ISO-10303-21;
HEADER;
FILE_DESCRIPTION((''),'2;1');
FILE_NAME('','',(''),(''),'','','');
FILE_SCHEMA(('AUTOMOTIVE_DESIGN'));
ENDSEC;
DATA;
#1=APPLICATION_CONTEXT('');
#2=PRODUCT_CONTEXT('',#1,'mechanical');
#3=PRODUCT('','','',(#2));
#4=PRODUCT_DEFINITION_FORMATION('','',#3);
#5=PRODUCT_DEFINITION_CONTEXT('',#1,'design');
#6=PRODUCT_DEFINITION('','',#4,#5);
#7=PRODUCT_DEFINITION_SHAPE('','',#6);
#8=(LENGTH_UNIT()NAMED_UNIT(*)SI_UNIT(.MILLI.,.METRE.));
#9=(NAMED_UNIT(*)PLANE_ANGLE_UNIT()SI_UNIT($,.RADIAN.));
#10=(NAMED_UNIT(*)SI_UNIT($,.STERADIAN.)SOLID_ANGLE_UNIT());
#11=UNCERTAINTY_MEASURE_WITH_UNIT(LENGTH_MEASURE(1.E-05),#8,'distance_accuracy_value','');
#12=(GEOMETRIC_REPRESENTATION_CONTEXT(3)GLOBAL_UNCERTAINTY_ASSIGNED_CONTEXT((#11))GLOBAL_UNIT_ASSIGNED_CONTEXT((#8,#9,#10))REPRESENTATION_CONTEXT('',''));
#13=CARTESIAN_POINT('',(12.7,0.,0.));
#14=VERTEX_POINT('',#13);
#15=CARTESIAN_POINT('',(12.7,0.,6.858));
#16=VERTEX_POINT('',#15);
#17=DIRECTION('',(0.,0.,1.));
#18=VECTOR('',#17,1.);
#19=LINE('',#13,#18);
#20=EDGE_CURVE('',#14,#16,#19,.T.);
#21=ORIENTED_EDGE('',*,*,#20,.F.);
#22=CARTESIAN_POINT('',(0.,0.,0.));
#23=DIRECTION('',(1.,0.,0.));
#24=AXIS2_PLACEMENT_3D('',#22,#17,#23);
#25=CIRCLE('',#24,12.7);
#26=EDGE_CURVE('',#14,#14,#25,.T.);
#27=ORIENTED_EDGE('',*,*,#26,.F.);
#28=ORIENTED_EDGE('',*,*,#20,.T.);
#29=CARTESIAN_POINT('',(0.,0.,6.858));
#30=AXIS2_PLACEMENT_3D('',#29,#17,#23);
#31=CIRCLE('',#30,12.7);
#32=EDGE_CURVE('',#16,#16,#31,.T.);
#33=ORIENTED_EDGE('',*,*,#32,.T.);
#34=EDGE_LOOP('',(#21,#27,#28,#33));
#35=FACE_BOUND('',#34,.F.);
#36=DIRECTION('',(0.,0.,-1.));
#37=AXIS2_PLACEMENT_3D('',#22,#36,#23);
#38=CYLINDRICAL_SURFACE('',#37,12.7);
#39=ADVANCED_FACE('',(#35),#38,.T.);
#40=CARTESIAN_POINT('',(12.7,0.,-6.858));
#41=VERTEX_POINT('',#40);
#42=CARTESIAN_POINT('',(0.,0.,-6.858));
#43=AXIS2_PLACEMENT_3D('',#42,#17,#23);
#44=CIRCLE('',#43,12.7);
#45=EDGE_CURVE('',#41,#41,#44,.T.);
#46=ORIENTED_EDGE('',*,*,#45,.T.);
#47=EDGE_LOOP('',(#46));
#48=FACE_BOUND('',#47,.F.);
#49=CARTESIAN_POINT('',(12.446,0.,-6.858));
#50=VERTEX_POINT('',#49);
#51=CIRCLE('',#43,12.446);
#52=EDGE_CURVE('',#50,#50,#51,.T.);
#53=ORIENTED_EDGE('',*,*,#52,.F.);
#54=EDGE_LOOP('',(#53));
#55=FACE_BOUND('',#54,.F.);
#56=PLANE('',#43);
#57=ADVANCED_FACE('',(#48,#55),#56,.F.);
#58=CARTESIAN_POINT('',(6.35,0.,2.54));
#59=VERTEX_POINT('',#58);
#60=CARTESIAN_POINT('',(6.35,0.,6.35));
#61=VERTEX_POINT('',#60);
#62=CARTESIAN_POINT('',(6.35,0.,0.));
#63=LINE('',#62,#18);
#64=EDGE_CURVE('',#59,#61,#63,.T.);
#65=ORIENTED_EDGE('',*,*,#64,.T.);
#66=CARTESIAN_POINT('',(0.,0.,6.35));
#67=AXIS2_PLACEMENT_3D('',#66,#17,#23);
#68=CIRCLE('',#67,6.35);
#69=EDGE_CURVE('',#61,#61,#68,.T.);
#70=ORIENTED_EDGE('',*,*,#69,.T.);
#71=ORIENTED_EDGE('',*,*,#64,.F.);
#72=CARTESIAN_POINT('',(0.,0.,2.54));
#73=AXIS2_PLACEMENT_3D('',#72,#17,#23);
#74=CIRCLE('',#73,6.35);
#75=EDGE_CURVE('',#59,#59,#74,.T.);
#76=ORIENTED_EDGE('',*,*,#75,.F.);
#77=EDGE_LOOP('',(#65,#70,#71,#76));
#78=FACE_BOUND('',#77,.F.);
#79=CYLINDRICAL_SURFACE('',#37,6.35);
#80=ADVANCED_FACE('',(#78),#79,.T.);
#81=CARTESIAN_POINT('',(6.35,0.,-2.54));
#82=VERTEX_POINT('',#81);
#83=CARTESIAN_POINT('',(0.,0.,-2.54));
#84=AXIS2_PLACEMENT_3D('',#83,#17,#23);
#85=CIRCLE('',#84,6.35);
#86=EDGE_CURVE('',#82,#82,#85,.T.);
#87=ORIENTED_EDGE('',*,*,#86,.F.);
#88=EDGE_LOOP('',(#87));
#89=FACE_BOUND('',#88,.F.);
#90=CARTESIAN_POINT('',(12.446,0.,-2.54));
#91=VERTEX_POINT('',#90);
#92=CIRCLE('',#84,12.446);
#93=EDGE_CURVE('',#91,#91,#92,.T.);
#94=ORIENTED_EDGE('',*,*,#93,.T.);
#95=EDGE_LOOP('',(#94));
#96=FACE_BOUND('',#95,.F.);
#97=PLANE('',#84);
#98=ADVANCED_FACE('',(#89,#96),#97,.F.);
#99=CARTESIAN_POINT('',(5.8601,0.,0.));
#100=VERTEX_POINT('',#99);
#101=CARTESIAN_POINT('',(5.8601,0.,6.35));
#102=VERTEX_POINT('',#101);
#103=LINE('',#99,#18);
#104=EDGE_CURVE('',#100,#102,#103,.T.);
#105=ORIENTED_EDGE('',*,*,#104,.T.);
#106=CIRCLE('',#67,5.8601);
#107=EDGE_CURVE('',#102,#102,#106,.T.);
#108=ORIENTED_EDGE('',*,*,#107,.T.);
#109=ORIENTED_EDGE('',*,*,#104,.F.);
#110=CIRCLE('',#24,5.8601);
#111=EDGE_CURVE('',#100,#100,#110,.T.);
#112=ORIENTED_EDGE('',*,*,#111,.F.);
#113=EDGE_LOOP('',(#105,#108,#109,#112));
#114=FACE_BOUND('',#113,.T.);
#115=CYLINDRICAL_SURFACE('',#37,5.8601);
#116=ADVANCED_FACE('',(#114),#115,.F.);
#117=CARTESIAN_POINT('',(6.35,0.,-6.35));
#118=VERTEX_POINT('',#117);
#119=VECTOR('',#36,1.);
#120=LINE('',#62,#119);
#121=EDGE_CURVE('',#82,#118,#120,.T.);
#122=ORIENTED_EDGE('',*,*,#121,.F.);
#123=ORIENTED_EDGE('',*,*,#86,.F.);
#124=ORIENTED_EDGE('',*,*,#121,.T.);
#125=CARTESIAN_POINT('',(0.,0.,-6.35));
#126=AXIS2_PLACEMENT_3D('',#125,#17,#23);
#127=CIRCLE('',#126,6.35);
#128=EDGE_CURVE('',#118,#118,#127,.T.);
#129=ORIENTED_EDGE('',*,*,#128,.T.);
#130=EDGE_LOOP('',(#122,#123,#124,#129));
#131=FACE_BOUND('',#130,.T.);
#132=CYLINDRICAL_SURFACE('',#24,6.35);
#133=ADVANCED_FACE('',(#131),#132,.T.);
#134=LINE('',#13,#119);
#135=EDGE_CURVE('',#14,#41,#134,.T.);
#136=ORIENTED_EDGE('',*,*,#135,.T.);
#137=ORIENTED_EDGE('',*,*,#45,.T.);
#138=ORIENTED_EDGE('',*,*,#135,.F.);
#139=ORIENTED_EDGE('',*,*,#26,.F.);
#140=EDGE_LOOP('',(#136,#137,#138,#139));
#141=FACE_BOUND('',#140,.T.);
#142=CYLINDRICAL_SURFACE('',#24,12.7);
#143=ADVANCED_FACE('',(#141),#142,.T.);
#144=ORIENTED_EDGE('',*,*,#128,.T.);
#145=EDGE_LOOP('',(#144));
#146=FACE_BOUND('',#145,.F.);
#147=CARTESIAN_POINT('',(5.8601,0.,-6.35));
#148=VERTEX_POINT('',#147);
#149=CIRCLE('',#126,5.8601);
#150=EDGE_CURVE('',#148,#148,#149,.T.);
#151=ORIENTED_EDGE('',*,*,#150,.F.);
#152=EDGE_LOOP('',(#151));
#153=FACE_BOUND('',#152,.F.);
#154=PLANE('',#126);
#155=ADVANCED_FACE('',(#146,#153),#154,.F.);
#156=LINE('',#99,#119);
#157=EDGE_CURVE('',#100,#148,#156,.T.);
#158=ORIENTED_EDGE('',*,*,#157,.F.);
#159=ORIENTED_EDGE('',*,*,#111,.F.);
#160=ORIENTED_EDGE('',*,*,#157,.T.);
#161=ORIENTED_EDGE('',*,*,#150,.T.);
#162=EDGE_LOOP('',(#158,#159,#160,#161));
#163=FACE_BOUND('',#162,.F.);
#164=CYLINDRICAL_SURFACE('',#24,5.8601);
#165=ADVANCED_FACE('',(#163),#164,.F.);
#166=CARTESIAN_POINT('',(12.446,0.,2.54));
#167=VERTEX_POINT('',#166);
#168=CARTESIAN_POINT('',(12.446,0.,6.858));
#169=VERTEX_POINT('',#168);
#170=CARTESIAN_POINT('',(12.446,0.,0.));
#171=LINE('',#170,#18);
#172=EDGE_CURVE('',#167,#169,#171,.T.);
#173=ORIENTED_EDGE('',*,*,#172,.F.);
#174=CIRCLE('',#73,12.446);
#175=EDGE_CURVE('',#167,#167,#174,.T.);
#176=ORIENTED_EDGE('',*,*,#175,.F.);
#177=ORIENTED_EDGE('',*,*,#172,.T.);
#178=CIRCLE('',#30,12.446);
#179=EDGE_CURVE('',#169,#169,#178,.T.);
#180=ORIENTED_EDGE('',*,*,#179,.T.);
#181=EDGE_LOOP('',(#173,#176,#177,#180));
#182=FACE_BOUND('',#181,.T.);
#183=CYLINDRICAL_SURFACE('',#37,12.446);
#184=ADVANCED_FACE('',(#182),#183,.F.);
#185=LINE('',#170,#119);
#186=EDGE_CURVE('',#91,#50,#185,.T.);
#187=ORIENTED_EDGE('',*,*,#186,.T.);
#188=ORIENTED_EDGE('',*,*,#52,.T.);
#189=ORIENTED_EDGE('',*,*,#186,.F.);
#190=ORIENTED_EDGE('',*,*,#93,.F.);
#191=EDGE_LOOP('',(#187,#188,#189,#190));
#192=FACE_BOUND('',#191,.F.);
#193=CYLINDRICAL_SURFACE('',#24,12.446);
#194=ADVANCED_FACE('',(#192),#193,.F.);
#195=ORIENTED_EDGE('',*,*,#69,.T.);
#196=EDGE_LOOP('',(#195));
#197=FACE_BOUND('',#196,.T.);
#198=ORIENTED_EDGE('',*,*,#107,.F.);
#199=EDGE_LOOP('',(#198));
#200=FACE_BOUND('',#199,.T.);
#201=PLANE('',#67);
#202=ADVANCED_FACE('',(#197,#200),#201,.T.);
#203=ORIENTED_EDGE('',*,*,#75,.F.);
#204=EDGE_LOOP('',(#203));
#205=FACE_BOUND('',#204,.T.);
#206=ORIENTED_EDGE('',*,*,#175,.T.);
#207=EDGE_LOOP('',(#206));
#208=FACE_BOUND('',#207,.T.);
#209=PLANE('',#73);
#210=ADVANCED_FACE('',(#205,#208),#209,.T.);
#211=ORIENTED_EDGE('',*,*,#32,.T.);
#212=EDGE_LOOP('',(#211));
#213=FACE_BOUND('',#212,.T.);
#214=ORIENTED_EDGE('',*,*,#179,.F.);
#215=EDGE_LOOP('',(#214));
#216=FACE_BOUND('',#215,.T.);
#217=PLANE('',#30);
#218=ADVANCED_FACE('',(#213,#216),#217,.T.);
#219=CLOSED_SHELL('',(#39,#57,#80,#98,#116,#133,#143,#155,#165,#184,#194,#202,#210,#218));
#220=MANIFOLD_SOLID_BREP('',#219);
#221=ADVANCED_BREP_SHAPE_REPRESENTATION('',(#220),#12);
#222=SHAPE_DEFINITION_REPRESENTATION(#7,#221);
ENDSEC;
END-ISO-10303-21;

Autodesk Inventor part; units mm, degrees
ref_plane "YZ Plane" through (0, 0, 0) normal (1, 0, 0) x (0, 1, 0)
ref_plane "XZ Plane" through (0, 0, 0) normal (0, 1, 0) x (-1, 0, 0)
ref_plane "XY Plane" through (0, 0, 0) normal (0, 0, 1) x (1, 0, 0)
sketch "Sketch1" plane through (0, 0, 0) normal (0, 0, 1) x (1, 0, 0)
  circle A0 centre (0, 0) radius 12.7
  circle A1 centre (0, 0) radius 12.446
  circle A2 centre (0, 0) radius 6.35
  circle A3 centre (0, 0) radius 5.8601
  dimension "d1" = 25.4
  dimension "d2" = 24.892
  dimension "d3" = 12.7
extrude "Extrusion1" [suppressed]
extrude "Extrusion2" add sketch "Sketch1" along normal blind 6.858 and the other way blind 6.858 contours A0
extrude "Extrusion3" add sketch "Sketch1" along normal blind 2.54 and the other way blind 2.54 contours A1
extrude "Extrusion4" add sketch "Sketch1" along normal blind 6.35 and the other way blind 6.35 contours A2
fillet "Fillet1" [suppressed]
fillet "Fillet2" [suppressed]
properties part number "plastic idler wheel base part" material "PET Plastic"
